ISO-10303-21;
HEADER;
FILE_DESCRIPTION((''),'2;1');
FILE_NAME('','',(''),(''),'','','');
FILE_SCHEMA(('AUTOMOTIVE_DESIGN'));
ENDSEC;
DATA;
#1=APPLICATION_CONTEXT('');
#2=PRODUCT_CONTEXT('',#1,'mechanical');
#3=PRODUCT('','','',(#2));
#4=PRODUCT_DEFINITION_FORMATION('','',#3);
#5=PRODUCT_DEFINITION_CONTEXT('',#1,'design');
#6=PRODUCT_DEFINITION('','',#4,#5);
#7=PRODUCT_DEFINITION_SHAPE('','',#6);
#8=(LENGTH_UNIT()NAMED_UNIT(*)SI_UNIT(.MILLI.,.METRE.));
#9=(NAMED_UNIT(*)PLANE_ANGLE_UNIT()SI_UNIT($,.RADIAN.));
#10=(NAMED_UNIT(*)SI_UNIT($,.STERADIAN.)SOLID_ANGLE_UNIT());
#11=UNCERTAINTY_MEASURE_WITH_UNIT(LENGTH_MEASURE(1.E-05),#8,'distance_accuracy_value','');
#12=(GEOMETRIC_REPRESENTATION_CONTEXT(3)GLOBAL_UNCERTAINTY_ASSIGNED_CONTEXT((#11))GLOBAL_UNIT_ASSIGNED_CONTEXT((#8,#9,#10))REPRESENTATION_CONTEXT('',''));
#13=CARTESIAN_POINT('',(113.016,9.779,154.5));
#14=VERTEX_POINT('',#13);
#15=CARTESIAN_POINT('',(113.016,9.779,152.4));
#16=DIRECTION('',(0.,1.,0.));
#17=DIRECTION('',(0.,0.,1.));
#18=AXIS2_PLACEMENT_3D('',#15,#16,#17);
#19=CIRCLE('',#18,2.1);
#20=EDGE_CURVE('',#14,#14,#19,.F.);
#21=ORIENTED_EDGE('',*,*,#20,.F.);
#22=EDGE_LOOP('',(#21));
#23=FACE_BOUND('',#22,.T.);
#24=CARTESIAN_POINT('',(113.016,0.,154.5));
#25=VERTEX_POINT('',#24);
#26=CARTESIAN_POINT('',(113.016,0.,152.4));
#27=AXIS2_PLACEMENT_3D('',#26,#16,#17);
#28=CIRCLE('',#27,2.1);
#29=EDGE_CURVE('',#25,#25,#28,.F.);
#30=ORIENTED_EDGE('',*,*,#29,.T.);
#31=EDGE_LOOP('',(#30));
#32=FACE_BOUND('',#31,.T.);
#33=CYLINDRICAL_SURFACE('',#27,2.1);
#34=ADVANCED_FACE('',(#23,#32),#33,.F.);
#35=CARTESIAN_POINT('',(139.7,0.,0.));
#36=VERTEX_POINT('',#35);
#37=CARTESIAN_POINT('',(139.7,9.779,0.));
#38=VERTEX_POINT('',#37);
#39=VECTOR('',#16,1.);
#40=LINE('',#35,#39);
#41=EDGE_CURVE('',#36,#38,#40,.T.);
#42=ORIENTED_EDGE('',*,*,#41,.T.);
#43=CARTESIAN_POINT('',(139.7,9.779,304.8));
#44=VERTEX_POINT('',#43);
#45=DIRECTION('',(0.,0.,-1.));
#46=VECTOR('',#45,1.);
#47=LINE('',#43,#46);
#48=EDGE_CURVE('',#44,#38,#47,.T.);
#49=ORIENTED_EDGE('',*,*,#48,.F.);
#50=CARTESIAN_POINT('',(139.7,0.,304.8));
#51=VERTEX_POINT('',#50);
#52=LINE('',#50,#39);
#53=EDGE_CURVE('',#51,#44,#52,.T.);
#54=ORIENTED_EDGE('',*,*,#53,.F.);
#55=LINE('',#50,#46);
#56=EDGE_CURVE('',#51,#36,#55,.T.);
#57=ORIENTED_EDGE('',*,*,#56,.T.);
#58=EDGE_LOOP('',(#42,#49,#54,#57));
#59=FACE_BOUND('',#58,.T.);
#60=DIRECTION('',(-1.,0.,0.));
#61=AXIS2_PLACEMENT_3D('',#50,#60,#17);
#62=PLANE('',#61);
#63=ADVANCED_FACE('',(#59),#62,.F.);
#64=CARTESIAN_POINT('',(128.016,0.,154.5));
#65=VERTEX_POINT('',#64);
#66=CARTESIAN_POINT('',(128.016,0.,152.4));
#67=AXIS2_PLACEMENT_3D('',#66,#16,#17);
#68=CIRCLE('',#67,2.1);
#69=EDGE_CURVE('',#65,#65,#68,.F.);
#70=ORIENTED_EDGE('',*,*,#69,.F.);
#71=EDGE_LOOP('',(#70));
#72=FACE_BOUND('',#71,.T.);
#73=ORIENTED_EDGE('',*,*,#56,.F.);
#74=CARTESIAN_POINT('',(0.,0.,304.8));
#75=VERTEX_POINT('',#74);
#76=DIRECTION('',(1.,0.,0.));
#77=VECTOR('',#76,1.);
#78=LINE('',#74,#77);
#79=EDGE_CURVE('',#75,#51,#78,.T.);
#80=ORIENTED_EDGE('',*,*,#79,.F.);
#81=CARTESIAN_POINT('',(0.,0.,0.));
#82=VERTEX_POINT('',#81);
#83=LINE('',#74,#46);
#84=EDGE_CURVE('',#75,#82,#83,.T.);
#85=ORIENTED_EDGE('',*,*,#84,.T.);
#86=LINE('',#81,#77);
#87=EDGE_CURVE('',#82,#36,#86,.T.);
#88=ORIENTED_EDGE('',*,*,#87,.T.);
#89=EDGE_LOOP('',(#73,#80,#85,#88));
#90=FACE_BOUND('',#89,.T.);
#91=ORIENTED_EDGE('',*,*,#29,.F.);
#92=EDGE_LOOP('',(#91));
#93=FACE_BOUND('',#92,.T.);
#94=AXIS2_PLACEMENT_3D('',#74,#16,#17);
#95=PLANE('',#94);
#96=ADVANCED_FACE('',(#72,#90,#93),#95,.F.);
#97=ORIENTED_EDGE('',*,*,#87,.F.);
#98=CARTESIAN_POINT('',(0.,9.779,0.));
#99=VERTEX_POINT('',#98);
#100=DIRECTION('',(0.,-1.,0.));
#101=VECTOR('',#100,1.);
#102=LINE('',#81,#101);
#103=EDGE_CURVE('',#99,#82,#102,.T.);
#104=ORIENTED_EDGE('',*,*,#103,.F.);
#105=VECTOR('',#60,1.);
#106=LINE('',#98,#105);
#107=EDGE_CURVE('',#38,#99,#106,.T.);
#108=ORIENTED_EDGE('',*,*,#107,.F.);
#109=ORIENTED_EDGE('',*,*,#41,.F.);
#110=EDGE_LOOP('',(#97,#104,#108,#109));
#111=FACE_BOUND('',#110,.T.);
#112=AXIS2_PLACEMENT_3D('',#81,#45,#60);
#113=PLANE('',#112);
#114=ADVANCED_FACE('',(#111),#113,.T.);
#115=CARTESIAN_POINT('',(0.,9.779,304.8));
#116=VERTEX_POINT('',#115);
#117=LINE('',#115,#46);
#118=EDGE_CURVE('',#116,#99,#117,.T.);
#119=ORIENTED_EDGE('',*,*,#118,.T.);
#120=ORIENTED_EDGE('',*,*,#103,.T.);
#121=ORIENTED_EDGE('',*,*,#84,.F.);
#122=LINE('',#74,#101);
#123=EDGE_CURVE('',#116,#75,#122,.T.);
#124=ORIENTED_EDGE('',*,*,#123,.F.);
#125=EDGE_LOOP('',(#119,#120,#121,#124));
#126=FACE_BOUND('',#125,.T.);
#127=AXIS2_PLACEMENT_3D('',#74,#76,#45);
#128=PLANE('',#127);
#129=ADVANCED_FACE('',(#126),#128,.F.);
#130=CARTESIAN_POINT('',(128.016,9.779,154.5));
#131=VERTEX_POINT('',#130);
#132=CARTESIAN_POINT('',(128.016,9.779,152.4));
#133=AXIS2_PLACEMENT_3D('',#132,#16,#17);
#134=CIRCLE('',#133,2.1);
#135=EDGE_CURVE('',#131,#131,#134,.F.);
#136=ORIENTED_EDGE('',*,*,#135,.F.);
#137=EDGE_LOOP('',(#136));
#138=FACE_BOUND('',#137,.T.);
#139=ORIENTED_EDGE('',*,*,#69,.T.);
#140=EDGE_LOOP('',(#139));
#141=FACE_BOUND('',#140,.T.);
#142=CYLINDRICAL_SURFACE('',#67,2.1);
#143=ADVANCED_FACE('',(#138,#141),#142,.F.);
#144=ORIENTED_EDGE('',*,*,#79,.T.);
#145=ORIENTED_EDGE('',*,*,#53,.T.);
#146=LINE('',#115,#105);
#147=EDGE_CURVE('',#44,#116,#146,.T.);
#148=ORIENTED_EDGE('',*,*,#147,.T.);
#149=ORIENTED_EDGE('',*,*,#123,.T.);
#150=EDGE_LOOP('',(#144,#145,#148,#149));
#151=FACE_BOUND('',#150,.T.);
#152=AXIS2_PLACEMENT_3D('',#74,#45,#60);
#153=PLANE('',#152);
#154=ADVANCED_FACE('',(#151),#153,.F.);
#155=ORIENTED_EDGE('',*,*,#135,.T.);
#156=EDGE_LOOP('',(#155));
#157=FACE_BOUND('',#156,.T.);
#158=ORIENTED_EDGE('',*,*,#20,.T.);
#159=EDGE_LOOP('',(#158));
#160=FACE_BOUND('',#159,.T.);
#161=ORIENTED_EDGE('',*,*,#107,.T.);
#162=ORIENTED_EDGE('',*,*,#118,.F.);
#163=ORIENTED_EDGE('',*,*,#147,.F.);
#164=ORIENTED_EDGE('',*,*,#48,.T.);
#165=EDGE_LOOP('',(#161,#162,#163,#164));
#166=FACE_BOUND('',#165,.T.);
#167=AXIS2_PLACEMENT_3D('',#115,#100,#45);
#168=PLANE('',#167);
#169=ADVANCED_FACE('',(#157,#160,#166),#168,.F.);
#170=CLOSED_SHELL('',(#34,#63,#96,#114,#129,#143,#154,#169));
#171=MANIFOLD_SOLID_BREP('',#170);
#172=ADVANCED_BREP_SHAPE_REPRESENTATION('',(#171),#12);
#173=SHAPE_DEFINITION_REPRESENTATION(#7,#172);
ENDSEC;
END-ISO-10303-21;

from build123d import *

# Parameters (mm, degrees)
SKETCH1_W           = 139.7
SKETCH1_H           = 9.779
BOSS_EXTRUDE1_DEPTH = 304.8
CUT_EXTRUDE2_DEPTH  = 336.432197085


with BuildPart() as part:
    # Sketch1 → Boss-Extrude1 (new body)
    with BuildSketch(Plane.XY):
        with Locations((69.85, 4.8895)):
            Rectangle(SKETCH1_W, SKETCH1_H)
    extrude(amount=BOSS_EXTRUDE1_DEPTH)

    # Sketch2 → Cut-Extrude2 (cut, through all)
    with BuildSketch(Plane(origin=(0, 9.779, 0), x_dir=(1, 0, 0), z_dir=(0, 1, 0))):
        with BuildLine():
            ThreePointArc((115.115999991, -152.4), (113.016, -150.300000009), (110.916000009, -152.4))
            Line((110.916000009, -152.4), (115.115999991, -152.4))
        make_face()
        with BuildLine():
            Line((115.115999991, -152.4), (110.916000009, -152.4))
            ThreePointArc((110.916000009, -152.4), (113.016, -154.499999991), (115.115999991, -152.4))
        make_face()
        with BuildLine():
            ThreePointArc((130.115999991, -152.4), (128.016, -150.300000009), (125.916000009, -152.4))
            Line((125.916000009, -152.4), (130.115999991, -152.4))
        make_face()
        with BuildLine():
            Line((130.115999991, -152.4), (125.916000009, -152.4))
            ThreePointArc((125.916000009, -152.4), (128.016, -154.499999991), (130.115999991, -152.4))
        make_face()
    extrude(amount=-CUT_EXTRUDE2_DEPTH, mode=Mode.SUBTRACT)


solid = part.part
